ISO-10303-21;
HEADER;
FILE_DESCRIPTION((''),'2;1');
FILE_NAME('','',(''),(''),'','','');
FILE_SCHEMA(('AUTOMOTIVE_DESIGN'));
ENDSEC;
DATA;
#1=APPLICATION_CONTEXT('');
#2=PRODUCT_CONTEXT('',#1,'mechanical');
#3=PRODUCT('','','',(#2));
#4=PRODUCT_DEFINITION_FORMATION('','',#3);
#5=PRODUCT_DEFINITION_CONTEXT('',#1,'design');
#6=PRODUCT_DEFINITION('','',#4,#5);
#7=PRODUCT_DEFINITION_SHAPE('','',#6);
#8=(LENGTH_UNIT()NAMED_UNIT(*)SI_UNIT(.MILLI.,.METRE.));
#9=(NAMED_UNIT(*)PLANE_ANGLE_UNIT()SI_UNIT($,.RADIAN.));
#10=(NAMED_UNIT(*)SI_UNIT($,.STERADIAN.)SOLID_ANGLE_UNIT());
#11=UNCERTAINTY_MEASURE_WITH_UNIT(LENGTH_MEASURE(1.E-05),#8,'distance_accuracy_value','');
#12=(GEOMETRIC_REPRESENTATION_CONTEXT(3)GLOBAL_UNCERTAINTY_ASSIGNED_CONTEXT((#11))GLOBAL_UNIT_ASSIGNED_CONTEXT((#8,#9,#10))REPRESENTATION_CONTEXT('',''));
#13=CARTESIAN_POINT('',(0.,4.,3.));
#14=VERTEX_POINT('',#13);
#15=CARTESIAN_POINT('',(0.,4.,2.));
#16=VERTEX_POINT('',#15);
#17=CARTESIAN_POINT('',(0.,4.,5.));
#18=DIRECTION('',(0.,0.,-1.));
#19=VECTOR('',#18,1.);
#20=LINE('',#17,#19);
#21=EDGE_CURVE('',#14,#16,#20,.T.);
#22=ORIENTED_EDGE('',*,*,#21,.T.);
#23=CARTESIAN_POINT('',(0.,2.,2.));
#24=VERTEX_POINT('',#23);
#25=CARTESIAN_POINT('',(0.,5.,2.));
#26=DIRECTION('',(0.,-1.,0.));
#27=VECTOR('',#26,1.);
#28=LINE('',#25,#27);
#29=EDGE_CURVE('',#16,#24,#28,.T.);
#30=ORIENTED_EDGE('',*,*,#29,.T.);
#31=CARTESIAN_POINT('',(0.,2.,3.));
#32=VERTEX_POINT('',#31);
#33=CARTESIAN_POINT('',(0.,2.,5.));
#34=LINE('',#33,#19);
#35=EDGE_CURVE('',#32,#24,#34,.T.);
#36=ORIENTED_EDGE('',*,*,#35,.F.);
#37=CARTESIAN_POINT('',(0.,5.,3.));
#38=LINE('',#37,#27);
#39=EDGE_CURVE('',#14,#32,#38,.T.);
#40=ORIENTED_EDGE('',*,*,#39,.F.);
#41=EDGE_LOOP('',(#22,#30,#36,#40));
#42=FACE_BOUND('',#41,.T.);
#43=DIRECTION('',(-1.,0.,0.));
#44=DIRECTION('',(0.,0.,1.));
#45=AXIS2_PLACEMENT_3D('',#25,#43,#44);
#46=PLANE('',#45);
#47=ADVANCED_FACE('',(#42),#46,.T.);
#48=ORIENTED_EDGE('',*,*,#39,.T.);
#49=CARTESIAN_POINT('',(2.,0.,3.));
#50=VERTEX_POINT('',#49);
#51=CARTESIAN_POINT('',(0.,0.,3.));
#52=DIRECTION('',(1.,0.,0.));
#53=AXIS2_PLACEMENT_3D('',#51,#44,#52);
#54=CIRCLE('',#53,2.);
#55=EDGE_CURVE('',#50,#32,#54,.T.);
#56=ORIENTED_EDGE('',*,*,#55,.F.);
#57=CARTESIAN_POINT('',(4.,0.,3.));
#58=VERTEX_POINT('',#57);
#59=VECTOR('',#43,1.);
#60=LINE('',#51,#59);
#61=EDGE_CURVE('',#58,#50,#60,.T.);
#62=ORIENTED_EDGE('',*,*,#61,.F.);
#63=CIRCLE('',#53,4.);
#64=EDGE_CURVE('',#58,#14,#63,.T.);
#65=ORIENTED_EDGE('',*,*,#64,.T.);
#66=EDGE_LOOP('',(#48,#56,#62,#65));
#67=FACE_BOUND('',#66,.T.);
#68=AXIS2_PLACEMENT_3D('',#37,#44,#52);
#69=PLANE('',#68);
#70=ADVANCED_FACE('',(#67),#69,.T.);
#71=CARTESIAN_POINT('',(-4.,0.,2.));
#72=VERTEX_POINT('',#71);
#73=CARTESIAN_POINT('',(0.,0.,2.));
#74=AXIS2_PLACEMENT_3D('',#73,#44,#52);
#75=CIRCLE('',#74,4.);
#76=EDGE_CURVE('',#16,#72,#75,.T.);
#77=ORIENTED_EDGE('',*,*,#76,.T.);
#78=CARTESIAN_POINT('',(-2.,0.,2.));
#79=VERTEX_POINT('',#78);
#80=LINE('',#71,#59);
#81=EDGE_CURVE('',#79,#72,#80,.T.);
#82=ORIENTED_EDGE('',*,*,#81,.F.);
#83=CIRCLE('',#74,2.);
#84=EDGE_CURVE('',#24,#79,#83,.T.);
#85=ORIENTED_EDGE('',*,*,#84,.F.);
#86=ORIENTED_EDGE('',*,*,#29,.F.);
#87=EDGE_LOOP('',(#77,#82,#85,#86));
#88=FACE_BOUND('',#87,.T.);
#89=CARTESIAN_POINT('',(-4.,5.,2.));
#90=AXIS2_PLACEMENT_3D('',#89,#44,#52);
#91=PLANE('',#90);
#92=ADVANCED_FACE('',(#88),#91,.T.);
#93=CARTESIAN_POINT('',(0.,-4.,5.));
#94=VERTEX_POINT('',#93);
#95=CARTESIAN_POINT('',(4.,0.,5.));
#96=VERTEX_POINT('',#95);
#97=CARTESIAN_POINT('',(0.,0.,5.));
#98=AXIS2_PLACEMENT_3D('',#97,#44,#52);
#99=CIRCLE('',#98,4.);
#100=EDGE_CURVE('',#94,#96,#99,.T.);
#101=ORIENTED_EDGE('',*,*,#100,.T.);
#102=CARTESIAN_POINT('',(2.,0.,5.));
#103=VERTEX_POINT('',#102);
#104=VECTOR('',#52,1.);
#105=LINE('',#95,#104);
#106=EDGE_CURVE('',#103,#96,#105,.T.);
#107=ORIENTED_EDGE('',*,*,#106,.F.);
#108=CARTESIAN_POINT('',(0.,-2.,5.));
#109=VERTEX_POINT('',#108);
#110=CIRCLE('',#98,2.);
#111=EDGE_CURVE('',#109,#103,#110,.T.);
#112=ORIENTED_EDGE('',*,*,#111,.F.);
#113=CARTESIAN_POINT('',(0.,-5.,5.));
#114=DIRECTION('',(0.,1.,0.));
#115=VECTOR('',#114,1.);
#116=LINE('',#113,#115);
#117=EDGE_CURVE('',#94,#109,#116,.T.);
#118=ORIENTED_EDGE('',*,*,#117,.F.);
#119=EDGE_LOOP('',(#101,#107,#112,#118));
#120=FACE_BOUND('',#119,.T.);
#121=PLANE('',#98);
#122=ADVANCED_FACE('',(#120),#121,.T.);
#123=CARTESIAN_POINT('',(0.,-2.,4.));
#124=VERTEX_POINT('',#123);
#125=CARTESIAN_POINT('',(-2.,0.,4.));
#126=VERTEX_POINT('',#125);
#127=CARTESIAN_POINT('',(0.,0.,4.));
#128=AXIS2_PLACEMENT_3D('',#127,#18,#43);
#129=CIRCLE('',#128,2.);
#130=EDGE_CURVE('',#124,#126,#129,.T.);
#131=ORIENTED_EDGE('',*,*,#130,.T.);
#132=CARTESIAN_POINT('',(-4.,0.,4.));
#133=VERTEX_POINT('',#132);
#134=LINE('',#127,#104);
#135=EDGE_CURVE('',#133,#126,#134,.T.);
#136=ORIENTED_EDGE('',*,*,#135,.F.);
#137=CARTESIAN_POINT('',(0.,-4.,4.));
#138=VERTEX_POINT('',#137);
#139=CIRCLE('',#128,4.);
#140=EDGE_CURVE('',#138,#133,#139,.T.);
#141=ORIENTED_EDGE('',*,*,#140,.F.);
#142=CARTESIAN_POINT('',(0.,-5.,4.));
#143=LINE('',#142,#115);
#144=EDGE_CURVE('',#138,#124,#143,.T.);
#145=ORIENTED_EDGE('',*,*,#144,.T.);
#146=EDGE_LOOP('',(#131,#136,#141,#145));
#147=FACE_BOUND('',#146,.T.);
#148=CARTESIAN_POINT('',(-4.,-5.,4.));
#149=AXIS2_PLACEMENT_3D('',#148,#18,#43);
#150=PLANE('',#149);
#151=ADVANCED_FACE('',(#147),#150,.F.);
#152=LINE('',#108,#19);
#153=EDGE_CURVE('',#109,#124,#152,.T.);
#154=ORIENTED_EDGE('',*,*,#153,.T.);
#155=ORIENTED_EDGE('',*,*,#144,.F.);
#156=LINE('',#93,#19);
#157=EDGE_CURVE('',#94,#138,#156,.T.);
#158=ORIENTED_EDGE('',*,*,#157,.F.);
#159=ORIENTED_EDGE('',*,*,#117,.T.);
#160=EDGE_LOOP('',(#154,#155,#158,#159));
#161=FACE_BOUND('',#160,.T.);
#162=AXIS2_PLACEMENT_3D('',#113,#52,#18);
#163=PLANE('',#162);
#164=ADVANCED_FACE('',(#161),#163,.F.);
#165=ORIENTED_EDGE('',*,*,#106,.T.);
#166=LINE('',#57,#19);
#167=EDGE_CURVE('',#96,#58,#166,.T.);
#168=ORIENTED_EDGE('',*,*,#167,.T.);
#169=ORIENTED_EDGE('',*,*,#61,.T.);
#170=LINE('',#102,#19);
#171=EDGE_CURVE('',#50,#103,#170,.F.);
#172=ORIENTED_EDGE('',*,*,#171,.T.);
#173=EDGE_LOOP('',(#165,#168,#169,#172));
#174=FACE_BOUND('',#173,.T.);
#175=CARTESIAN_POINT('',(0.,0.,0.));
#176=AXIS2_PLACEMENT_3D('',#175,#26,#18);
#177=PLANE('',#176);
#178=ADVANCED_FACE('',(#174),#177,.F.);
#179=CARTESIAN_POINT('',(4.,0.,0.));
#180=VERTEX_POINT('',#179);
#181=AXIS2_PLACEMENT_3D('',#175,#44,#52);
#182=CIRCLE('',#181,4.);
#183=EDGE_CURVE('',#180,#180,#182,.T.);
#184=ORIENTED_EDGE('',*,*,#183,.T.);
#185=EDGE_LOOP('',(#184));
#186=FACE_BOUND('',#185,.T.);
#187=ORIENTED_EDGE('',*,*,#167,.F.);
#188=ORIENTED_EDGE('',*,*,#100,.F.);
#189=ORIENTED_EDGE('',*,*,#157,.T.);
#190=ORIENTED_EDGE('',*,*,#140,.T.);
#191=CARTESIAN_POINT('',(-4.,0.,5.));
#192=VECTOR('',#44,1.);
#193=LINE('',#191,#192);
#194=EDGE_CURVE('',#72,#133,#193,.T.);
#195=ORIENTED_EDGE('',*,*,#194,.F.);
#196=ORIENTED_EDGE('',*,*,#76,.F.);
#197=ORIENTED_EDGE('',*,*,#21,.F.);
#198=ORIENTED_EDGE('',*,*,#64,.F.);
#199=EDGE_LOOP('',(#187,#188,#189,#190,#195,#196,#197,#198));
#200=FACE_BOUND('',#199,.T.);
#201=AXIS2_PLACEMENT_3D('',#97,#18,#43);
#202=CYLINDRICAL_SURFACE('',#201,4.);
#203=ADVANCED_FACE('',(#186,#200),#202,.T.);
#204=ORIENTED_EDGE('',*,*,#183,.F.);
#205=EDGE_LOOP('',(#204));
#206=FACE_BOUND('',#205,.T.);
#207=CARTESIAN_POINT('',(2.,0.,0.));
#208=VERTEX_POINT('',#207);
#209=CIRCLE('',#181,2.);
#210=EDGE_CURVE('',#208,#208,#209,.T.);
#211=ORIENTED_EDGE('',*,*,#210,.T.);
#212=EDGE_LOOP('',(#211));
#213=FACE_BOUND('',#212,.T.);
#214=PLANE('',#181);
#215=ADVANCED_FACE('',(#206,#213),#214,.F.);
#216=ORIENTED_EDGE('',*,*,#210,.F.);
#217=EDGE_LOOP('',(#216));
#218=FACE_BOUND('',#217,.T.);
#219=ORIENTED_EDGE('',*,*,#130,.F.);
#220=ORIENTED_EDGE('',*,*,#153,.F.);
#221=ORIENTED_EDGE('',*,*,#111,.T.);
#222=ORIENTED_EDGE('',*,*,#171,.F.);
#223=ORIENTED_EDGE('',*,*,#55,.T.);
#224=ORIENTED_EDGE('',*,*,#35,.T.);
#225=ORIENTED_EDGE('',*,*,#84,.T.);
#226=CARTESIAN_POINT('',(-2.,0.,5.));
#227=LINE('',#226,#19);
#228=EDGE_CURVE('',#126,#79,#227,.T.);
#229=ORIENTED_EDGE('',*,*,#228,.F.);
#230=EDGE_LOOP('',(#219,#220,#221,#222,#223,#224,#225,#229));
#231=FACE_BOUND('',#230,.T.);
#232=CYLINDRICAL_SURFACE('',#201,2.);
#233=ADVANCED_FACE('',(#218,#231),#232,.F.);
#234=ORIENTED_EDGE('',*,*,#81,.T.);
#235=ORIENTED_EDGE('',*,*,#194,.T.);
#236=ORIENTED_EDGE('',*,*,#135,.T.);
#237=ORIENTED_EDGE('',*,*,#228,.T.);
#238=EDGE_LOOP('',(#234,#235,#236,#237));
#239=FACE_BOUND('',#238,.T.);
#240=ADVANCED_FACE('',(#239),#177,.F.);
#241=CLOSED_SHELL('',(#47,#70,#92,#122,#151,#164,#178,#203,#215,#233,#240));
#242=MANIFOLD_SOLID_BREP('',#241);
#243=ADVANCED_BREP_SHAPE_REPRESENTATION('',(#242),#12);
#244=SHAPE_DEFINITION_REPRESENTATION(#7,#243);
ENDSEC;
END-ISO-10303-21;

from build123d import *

# Parameters (mm, degrees)
SKETCH1_R           = 4
SKETCH1_R_2         = 2
BOSS_EXTRUDE1_DEPTH = 5
CUT_EXTRUDE1_DEPTH  = 5
SKETCH3_W           = 4
SKETCH3_H           = 1
CUT_EXTRUDE2_DEPTH  = 5


with BuildPart() as part:
    # Sketch1 → Boss-Extrude1 (new body)
    with BuildSketch(Plane.XY):
        Circle(SKETCH1_R)
        Circle(SKETCH1_R_2, mode=Mode.SUBTRACT)
    extrude(amount=BOSS_EXTRUDE1_DEPTH)

    # Sketch2 → Cut-Extrude1 (cut)
    with BuildSketch(Plane(origin=(0, 0, 0), x_dir=(1, 0, 0), z_dir=(0, 1, 0))):
        Polygon((-4, -2), (0, -2), (0, -3), (4, -3), (4, -5), (-4, -5), align=None)
    extrude(amount=CUT_EXTRUDE1_DEPTH, mode=Mode.SUBTRACT)

    # Sketch3 → Cut-Extrude2 (cut)
    with BuildSketch(Plane(origin=(0, 0, 0), x_dir=(1, 0, 0), z_dir=(0, 1, 0))):
        with Locations((-2, -4.5)):
            Rectangle(SKETCH3_W, SKETCH3_H)
    extrude(amount=-CUT_EXTRUDE2_DEPTH, mode=Mode.SUBTRACT)


solid = part.part
